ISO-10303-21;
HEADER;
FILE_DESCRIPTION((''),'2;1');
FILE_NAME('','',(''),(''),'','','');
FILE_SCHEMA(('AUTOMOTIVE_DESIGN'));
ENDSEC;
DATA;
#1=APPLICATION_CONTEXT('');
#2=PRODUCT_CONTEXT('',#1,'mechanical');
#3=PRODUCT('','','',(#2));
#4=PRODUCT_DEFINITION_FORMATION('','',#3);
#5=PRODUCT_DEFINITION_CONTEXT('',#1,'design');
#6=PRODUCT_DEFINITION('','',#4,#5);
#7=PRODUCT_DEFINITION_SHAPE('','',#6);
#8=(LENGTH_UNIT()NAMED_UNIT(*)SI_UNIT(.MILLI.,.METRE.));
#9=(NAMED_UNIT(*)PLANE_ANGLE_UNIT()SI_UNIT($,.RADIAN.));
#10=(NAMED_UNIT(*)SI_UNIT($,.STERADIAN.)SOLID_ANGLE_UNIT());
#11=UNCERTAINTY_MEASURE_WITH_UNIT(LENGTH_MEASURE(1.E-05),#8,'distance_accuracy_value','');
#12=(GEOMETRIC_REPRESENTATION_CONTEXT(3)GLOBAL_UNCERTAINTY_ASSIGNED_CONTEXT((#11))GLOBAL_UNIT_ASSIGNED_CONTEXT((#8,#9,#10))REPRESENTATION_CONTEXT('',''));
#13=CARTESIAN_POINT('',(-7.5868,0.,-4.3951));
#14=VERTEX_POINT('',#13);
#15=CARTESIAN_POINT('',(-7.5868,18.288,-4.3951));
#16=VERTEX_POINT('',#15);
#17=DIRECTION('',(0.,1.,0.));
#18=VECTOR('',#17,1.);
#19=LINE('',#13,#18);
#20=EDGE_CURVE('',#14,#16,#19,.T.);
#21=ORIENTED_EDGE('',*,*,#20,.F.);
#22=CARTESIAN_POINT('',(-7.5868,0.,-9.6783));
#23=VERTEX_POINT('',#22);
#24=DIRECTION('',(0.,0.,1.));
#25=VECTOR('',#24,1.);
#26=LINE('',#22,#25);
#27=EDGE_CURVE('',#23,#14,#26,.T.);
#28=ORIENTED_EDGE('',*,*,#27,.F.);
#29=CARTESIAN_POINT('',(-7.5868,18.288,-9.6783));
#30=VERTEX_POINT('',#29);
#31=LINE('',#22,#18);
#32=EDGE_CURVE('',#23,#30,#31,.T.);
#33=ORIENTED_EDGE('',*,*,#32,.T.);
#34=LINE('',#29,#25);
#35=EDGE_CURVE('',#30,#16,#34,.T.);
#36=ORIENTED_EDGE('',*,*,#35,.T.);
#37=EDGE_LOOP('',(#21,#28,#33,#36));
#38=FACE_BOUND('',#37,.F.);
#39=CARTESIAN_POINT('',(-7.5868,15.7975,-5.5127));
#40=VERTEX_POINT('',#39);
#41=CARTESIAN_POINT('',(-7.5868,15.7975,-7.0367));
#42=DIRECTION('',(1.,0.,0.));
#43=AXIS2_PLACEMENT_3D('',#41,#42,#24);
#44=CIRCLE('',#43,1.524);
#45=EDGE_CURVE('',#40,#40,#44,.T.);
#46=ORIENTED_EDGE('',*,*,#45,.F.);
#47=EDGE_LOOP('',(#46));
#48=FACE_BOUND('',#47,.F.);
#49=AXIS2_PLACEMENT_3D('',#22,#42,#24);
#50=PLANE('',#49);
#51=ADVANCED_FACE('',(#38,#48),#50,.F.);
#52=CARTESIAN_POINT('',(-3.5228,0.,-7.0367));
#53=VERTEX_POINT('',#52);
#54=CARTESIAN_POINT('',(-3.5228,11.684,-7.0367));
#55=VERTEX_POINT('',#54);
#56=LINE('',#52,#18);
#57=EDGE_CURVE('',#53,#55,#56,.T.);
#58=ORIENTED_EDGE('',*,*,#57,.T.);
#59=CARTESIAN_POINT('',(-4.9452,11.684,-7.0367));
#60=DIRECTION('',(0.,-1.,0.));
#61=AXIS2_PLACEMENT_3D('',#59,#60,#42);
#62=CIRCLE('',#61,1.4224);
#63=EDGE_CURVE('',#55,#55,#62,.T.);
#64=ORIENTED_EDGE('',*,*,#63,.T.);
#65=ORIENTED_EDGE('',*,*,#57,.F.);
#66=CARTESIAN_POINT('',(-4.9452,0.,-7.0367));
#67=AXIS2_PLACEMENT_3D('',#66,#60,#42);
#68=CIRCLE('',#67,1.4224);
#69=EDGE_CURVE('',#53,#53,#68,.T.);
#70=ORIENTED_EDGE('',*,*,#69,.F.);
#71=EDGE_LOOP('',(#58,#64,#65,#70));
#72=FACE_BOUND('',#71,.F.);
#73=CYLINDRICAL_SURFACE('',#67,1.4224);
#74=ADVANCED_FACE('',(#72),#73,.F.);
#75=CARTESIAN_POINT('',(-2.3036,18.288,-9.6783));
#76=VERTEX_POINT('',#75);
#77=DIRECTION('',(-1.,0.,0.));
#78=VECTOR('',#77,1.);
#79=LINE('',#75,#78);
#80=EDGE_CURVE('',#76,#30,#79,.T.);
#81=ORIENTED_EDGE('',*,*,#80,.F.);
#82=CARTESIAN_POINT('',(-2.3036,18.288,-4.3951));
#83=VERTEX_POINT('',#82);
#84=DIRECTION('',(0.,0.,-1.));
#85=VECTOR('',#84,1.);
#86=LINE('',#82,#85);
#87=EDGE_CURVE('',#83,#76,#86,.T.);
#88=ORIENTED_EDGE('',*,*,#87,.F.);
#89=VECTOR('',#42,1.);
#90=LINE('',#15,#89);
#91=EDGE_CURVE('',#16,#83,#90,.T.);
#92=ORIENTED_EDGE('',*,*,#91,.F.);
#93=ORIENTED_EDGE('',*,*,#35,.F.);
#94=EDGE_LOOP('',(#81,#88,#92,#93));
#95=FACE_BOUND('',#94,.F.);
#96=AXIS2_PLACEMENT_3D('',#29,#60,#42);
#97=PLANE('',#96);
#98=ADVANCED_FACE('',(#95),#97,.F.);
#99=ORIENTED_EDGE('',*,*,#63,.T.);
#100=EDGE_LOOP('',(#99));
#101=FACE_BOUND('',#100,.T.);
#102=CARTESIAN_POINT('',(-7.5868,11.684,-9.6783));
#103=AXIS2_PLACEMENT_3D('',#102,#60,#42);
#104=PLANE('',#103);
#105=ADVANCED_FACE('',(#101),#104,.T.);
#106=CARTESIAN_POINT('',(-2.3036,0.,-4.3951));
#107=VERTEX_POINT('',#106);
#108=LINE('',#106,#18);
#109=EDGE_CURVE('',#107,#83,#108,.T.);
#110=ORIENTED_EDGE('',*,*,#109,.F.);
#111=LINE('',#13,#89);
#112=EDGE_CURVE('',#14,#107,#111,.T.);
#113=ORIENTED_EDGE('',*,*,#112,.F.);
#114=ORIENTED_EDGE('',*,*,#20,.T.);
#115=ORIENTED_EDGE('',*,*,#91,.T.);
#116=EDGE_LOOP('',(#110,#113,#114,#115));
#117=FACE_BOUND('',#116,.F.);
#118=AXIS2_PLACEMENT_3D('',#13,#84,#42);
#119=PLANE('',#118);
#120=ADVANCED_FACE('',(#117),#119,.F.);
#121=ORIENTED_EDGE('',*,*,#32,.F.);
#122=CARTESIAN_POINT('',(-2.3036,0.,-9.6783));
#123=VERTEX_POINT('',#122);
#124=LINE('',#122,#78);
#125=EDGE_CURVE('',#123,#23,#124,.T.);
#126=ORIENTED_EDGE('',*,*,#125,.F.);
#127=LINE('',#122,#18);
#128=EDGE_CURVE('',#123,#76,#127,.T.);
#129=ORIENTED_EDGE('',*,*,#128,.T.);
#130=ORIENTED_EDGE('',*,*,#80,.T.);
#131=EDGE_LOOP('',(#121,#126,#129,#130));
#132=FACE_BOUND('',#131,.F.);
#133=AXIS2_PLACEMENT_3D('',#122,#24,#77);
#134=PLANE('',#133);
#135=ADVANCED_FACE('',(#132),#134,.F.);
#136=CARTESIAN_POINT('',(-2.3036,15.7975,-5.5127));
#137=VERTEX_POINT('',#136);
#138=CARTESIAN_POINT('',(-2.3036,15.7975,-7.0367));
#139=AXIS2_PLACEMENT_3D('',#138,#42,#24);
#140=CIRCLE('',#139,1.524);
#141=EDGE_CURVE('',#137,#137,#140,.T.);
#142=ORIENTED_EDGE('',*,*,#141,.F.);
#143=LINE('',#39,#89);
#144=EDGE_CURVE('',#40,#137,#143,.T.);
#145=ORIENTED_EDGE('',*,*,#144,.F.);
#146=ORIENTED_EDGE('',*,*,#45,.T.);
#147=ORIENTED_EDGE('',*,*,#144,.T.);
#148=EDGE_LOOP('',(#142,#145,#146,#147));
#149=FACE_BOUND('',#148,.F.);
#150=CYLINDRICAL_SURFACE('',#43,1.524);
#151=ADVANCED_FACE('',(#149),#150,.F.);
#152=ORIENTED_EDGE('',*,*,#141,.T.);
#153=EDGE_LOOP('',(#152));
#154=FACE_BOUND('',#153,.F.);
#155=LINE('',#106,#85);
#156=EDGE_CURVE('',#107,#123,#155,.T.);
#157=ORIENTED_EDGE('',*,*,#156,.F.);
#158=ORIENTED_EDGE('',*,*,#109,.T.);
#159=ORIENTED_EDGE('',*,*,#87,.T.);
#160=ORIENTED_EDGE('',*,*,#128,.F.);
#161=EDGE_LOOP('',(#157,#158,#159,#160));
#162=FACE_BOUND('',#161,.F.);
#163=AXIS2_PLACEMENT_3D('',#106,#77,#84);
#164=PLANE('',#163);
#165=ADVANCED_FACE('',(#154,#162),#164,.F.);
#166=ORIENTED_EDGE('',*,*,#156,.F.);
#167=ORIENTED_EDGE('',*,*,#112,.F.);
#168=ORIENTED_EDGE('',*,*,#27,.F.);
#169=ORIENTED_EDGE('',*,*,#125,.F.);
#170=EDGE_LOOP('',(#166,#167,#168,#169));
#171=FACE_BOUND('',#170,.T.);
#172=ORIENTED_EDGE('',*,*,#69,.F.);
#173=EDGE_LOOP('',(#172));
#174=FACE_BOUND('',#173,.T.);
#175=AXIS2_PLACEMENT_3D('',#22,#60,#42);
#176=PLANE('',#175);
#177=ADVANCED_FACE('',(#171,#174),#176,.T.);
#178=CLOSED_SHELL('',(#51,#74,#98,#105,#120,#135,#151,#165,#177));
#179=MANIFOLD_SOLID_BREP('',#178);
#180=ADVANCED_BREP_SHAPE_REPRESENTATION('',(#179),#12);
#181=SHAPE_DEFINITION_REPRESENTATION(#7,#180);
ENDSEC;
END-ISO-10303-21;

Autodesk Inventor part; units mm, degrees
ref_plane "YZ Plane" through (0, 0, 0) normal (1, 0, 0) x (0, 1, 0)
ref_plane "XZ Plane" through (0, 0, 0) normal (0, 1, 0) x (-1, 0, 0)
ref_plane "XY Plane" through (0, 0, 0) normal (0, 0, 1) x (1, 0, 0)
ref_plane "Work Plane2" through (-2.3036, 0, -9.6783) normal (1, 0, 0) x (0, 0, -1)
sketch "Sketch1" plane through (-2.3036, 0, -9.6783) normal (1, 0, 0) x (0, 0, -1)
  line L0 (0, 0) -> (-5.2832, 0) projected
  line L1 (-2.6416, 0) -> (-2.6416, 10.3378)
  line L2 (-2.6416, 10.3378) -> (-2.6416, 11.1315)
  line L3 (-2.6416, 0) -> (-2.6416, 11.5316)
  point P0 (-9.6783, 0)
  dimension "d24" = 11.5316
ref_plane "Work Plane1" through (-2.3036, 0, -9.6783) normal (1, 0, 0) x (0, 0, -1)
sketch "Sketch2" plane through (-2.3036, 0, -9.6783) normal (1, 0, 0) x (0, 0, -1)
  point P0 (-9.6783, 0)
ref_plane "Work Plane3" through (-2.3036, 0, -9.6783) normal (1, 0, 0) x (0, 0, -1)
ref_plane "Work Plane6" through (-7.5868, 0, -9.6783) normal (-1, 0, 0) x (0, 0, 1)
sketch "Sketch5" plane through (-7.5868, 0, -9.6783) normal (-1, 0, 0) x (0, 0, 1)
  line L0 (0, 0) -> (5.2832, 0) projected
  line L1 (2.6416, 0) -> (2.6416, 14.7688)
  line L2 (2.6416, 14.7688) -> (2.6416, 15.7975)
  line L3 (2.6416, 15.7975) -> (2.6416, 18.2867)
  circle A0 centre (2.6416, 15.7975) radius 1.524
  point P0 (9.6783, 0)
  dimension "d25" = 1.0287
  dimension "d26" = 2.4892
  dimension "d27" = 3.048
ref_plane "Work Plane5" through (-7.5868, 0, -9.6783) normal (0, -1, 0) x (1, 0, 0)
sketch "Sketch6" plane through (-7.5868, 0, -9.6783) normal (0, -1, 0) x (1, 0, 0)
  line L0 (0, 0) -> (0, 5.2832) projected
  line L1 (5.2832, 0) -> (0, 0) projected
  line L2 (0, 5.2832) -> (5.2832, 5.2832)
  line L3 (5.2832, 5.2832) -> (5.2832, 0)
  line L4 (5.2832, 0) -> (0, 0)
  line L5 (0, 0) -> (0, 5.2832)
  arc A0 (3.5677, 2.2318) -> (3.582, 3.0171) centre (2.6416, 2.6416) ccw projected
  circle A1 centre (2.6416, 2.6416) radius 1.4224
  point P0 (7.5868, 9.6783)
  dimension "d35" = 2.8448
extrude "Extrusion3" add sketch "Sketch6" against normal blind 18.288 contours L0 L2 L3 L1 | A1
hole "Hole4" at (-7.5868, 15.7975, -7.0367) direction (1, 0, 0) diameter 3.048 end through all
extrude "Extrusion4" cut sketch "Sketch6" against normal blind 11.684 contours A1
thread "Thread1" size "4-40 UNC" class "2B" standard "ANSI Unified Screw Threads" full length
properties part number "rod1"
